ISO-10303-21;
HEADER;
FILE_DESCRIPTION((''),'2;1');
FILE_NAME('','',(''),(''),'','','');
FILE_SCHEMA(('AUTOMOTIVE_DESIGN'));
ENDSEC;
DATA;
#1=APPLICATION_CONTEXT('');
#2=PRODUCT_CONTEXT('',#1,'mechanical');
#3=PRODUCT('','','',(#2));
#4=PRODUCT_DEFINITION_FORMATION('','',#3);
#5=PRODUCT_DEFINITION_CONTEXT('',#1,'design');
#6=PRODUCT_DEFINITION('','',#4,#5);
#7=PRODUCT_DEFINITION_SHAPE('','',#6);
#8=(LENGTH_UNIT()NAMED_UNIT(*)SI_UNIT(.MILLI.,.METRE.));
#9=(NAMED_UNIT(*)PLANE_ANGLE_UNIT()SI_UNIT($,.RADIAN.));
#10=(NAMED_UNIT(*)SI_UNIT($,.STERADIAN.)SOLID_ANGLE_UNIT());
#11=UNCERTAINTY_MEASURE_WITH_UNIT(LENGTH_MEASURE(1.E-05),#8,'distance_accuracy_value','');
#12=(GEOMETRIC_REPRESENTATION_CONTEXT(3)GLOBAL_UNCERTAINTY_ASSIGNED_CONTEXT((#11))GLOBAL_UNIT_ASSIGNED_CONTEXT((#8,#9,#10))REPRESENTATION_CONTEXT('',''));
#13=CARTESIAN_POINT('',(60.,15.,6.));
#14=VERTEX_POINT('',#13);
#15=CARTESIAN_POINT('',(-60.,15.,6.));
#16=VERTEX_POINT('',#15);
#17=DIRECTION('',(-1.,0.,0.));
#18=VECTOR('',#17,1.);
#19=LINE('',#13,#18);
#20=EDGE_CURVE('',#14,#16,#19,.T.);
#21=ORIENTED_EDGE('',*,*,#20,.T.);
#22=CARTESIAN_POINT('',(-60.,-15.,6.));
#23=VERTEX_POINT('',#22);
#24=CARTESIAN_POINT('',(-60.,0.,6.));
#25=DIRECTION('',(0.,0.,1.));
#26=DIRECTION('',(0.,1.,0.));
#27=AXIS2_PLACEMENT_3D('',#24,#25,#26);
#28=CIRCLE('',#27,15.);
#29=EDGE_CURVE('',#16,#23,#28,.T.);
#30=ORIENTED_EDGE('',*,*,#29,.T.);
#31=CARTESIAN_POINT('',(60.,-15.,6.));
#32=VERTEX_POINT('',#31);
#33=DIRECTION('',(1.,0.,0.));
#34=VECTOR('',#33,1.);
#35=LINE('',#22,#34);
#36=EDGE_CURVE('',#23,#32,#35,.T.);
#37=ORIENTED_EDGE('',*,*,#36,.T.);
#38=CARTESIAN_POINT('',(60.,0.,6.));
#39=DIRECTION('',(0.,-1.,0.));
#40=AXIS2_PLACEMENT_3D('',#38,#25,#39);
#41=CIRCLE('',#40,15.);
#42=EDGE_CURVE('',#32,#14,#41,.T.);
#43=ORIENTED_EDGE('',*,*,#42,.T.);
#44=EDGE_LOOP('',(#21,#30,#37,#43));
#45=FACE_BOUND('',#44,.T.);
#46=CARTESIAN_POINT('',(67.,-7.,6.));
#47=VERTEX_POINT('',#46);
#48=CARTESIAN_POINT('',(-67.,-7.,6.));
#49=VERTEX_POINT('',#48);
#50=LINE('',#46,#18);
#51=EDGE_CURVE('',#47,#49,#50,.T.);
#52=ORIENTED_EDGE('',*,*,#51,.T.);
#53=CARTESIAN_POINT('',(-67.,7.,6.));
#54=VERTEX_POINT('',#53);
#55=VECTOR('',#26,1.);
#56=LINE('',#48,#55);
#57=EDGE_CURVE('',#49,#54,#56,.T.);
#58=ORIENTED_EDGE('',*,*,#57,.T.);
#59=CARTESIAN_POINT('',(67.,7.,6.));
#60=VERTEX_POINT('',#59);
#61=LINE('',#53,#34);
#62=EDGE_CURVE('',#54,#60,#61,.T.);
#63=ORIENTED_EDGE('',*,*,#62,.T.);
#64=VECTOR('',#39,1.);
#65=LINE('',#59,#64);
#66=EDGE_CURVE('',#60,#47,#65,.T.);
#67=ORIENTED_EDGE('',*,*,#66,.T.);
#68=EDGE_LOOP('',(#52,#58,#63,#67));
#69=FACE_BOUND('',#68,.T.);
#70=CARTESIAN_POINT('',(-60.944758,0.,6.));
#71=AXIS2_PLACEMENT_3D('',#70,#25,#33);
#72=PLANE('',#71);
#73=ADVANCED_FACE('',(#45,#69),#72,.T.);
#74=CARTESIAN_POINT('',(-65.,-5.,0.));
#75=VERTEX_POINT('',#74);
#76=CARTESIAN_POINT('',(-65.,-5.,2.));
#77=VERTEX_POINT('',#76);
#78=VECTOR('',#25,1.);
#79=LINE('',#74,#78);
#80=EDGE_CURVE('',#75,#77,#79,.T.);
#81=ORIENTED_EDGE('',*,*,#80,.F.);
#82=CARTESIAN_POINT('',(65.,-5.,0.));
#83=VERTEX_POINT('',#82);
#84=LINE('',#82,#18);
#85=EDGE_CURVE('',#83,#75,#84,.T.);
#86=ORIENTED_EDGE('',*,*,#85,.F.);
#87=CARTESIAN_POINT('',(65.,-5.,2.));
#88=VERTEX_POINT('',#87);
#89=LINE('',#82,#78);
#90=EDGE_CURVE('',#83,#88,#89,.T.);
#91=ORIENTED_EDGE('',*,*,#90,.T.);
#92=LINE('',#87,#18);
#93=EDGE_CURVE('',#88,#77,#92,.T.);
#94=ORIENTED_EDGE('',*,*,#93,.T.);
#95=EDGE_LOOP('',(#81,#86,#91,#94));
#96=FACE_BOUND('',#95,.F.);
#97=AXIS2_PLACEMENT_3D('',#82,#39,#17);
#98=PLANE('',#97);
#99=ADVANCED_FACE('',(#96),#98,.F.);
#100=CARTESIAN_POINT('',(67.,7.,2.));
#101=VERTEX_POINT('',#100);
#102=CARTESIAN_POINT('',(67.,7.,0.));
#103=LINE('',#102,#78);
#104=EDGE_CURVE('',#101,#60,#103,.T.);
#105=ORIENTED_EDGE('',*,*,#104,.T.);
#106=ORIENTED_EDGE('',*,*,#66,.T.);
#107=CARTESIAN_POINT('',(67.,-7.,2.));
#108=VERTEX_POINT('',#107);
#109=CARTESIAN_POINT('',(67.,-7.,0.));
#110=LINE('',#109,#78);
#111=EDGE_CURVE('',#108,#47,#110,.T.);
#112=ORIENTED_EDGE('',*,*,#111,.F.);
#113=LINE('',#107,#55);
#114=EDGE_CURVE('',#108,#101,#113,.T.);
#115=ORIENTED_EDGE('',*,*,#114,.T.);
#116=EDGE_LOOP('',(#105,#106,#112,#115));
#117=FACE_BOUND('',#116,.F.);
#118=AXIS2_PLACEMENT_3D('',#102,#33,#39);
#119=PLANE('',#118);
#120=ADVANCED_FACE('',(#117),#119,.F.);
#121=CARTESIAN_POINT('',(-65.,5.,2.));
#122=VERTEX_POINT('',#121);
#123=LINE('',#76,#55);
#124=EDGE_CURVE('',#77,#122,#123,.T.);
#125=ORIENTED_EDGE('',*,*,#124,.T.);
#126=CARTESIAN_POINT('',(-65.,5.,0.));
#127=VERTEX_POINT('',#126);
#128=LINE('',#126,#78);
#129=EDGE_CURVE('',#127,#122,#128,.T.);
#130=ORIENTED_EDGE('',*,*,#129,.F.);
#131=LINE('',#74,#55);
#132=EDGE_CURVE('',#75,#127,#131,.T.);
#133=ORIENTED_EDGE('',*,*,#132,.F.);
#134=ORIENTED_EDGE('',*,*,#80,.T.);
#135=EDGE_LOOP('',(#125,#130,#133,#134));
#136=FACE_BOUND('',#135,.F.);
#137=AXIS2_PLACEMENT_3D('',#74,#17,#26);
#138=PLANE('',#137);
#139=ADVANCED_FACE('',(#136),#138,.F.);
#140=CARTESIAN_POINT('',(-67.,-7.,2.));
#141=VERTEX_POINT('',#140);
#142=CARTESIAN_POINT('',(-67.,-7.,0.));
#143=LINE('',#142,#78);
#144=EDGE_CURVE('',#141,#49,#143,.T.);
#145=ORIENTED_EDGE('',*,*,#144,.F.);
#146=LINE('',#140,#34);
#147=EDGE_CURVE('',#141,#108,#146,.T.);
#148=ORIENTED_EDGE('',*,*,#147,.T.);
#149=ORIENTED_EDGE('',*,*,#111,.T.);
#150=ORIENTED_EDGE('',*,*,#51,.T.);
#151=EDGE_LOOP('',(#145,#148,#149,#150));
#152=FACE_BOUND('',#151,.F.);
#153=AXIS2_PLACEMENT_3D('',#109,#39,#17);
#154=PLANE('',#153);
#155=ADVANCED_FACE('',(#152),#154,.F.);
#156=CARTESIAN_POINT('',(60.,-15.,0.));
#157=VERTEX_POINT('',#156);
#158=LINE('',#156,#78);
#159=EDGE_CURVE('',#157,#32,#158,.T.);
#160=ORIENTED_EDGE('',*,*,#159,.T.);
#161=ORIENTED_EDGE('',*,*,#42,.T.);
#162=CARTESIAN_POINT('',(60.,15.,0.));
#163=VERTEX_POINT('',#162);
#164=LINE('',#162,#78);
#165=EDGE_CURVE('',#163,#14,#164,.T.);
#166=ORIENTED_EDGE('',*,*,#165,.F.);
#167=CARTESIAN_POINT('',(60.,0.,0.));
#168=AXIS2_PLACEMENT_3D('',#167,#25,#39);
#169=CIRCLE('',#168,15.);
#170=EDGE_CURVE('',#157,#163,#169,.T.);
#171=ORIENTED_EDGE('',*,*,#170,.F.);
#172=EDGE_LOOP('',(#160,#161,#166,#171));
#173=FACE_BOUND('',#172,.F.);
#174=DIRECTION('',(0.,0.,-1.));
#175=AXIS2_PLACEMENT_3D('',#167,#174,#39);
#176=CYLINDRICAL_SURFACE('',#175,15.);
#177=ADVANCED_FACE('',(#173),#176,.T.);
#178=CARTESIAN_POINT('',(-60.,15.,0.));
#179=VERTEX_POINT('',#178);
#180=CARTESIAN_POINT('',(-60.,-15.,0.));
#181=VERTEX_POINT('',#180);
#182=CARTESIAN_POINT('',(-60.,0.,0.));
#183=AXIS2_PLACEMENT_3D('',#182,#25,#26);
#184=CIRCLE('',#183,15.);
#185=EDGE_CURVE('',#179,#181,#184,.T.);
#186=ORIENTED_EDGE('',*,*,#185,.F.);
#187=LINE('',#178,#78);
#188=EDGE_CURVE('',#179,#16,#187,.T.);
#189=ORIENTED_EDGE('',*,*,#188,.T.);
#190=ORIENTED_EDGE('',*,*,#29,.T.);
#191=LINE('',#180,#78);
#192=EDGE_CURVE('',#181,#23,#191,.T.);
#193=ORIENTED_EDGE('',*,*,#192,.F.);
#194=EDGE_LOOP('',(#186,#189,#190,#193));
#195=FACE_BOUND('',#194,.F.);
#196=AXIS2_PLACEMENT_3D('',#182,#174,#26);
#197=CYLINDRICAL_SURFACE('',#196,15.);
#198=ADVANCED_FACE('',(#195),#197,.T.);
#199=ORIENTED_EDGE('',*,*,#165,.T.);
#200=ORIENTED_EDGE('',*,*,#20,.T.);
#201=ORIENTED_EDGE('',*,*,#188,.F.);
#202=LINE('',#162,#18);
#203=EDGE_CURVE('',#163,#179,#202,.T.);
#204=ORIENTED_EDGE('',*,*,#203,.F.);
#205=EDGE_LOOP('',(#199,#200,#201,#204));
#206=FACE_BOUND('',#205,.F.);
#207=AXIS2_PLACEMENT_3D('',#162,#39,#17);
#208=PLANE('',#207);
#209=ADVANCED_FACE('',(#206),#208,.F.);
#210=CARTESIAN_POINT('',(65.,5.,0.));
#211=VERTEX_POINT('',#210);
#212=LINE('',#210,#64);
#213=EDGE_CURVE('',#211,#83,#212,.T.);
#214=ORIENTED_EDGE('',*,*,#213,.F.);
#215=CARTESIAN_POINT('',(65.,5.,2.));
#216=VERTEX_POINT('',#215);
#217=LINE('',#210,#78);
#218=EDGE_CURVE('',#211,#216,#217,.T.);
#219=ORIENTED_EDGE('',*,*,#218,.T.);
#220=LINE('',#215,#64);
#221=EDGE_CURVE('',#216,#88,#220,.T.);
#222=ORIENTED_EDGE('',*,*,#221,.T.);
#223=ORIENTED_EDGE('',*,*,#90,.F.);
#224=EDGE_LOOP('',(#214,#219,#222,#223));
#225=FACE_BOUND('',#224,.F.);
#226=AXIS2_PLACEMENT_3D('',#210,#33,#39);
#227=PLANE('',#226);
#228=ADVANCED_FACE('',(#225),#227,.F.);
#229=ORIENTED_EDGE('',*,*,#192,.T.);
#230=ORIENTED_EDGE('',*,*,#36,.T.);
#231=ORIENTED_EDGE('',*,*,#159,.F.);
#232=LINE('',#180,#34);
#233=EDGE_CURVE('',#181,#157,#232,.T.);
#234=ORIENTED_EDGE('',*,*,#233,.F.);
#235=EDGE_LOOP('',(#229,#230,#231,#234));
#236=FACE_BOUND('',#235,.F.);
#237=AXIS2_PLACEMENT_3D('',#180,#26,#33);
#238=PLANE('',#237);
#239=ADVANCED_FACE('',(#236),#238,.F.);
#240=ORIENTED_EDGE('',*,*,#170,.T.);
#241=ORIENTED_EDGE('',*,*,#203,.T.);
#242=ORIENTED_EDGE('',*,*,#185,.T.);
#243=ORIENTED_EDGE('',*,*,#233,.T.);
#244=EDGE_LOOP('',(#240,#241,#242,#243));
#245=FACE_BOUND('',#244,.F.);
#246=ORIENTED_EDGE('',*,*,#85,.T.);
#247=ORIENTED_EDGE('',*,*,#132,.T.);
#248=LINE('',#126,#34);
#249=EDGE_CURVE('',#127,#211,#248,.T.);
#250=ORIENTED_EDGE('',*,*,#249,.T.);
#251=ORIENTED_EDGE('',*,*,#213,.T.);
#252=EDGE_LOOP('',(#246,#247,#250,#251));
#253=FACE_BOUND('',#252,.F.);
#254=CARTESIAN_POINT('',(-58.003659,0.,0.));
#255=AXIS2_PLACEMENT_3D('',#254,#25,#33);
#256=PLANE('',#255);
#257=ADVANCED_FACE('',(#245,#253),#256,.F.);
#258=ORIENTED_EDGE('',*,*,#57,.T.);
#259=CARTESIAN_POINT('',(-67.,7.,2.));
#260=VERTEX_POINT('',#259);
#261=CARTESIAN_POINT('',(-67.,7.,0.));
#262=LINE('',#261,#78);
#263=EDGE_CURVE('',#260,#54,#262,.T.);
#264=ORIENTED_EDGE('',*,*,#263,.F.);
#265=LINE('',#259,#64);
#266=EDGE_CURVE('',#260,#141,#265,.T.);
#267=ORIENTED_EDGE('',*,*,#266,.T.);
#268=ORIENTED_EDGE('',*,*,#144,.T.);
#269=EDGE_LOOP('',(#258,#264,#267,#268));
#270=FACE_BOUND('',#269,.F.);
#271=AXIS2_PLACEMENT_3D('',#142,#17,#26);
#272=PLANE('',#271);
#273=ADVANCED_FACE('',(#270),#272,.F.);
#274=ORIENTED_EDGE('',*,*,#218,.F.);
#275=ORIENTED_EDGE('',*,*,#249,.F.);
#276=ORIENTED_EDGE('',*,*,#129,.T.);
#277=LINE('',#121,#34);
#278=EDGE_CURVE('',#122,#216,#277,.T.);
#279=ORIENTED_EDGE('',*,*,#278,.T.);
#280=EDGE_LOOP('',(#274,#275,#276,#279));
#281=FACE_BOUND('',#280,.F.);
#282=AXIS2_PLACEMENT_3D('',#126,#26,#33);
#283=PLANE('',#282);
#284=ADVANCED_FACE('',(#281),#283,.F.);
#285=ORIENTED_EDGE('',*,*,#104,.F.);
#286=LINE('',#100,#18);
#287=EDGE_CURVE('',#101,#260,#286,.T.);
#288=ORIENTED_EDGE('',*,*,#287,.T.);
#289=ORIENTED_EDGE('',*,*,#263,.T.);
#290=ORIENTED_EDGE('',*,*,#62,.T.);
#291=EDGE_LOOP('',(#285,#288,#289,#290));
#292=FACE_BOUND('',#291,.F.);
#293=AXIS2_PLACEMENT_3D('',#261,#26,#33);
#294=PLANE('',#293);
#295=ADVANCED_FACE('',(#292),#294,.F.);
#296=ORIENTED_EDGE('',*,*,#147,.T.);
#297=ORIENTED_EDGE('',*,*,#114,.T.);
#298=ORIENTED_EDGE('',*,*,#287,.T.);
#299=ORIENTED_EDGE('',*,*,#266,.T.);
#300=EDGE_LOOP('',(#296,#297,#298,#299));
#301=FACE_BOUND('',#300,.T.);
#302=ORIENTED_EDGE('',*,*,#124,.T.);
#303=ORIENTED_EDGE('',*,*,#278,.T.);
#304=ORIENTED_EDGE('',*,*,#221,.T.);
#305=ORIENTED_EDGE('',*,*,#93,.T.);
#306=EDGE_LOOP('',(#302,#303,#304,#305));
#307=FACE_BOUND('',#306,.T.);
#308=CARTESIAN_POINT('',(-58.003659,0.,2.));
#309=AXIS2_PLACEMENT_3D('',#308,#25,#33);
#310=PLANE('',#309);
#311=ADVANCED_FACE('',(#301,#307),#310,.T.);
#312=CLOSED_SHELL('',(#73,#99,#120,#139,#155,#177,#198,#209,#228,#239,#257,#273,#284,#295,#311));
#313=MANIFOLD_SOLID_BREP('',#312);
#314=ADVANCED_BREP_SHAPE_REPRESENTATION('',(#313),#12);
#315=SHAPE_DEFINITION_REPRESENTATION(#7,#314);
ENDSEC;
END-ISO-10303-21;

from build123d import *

# Parameters (mm, degrees)
F1_DEPTH = 6
F2_DEPTH = 2


with BuildPart() as f1:
    # F0 (on Top) → F1 (new body)
    with BuildSketch(Plane.XY):
        with BuildLine():
            ThreePointArc((-46.7335008386, 7), (-52.2540333076, 12.8452325787), (-60, 15))
            ThreePointArc((-60, 15), (-70.6066017027, 10.6066017329), (-75, 4.28e-08))
            ThreePointArc((-75, 4.28e-08), (-70.6066017329, -10.6066017027), (-60, -15))
            ThreePointArc((-60, -15), (-52.2540333076, -12.8452325787), (-46.7335008386, -7))
            Line((-46.7335008386, -7), (-67, -7))
            Line((-67, -7), (-67, 7))
            Line((-67, 7), (-46.7335008386, 7))
        make_face()
        with BuildLine():
            ThreePointArc((75, 0), (70.6066017338, 10.6066017018), (60.0000000452, 15))
            ThreePointArc((60.0000000452, 15), (52.2540333269, 12.8452325903), (46.7335008386, 7))
            Line((46.7335008386, 7), (67, 7))
            Line((67, 7), (67, -7))
            Line((67, -7), (46.7335008386, -7))
            ThreePointArc((46.7335008386, -7), (52.2540333076, -12.8452325787), (60, -15))
            ThreePointArc((60, -15), (70.6066017178, -10.6066017178), (75, 0))
        make_face()
        with BuildLine():
            ThreePointArc((-46.7335008386, -7), (-52.2540333076, -12.8452325787), (-60, -15))
            Line((-60, -15), (60, -15))
            ThreePointArc((60, -15), (52.2540333076, -12.8452325787), (46.7335008386, -7))
            Line((46.7335008386, -7), (-46.7335008386, -7))
        make_face()
        with BuildLine():
            Line((60.0000000452, 15), (-60, 15))
            ThreePointArc((-60, 15), (-52.2540333076, 12.8452325787), (-46.7335008386, 7))
            Line((-46.7335008386, 7), (46.7335008386, 7))
            ThreePointArc((46.7335008386, 7), (52.2540333269, 12.8452325903), (60.0000000452, 15))
        make_face()
    extrude(amount=F1_DEPTH)

    # F0 (on Top) → F2 (join)
    with BuildSketch(Plane.XY):
        with BuildLine():
            ThreePointArc((-45.8578643763, 5), (-46.2592461926, 6.0159525267), (-46.7335008386, 7))
            Line((-46.7335008386, 7), (-67, 7))
            Line((-67, 7), (-67, -7))
            Line((-67, -7), (-46.7335008386, -7))
            ThreePointArc((-46.7335008386, -7), (-46.2592461926, -6.0159525267), (-45.8578643763, -5))
            Line((-45.8578643763, -5), (-65, -5))
            Line((-65, -5), (-65, 5))
            Line((-65, 5), (-45.8578643763, 5))
        make_face()
        with BuildLine():
            Line((46.7335008386, 7), (-46.7335008386, 7))
            ThreePointArc((-46.7335008386, 7), (-46.2592461926, 6.0159525267), (-45.8578643763, 5))
            Line((-45.8578643763, 5), (45.8578643763, 5))
            ThreePointArc((45.8578643763, 5), (46.2592461926, 6.0159525267), (46.7335008386, 7))
        make_face()
        with BuildLine():
            Line((67, 7), (46.7335008386, 7))
            ThreePointArc((46.7335008386, 7), (46.2592461926, 6.0159525267), (45.8578643763, 5))
            Line((45.8578643763, 5), (65, 5))
            Line((65, 5), (65, -5))
            Line((65, -5), (45.8578643763, -5))
            ThreePointArc((45.8578643763, -5), (46.2592461926, -6.0159525267), (46.7335008386, -7))
            Line((46.7335008386, -7), (67, -7))
            Line((67, -7), (67, 7))
        make_face()
        with BuildLine():
            ThreePointArc((-45.8578643763, -5), (-46.2592461926, -6.0159525267), (-46.7335008386, -7))
            Line((-46.7335008386, -7), (46.7335008386, -7))
            ThreePointArc((46.7335008386, -7), (46.2592461926, -6.0159525267), (45.8578643763, -5))
            Line((45.8578643763, -5), (-45.8578643763, -5))
        make_face()
    extrude(amount=F2_DEPTH)


solid = f1.part
